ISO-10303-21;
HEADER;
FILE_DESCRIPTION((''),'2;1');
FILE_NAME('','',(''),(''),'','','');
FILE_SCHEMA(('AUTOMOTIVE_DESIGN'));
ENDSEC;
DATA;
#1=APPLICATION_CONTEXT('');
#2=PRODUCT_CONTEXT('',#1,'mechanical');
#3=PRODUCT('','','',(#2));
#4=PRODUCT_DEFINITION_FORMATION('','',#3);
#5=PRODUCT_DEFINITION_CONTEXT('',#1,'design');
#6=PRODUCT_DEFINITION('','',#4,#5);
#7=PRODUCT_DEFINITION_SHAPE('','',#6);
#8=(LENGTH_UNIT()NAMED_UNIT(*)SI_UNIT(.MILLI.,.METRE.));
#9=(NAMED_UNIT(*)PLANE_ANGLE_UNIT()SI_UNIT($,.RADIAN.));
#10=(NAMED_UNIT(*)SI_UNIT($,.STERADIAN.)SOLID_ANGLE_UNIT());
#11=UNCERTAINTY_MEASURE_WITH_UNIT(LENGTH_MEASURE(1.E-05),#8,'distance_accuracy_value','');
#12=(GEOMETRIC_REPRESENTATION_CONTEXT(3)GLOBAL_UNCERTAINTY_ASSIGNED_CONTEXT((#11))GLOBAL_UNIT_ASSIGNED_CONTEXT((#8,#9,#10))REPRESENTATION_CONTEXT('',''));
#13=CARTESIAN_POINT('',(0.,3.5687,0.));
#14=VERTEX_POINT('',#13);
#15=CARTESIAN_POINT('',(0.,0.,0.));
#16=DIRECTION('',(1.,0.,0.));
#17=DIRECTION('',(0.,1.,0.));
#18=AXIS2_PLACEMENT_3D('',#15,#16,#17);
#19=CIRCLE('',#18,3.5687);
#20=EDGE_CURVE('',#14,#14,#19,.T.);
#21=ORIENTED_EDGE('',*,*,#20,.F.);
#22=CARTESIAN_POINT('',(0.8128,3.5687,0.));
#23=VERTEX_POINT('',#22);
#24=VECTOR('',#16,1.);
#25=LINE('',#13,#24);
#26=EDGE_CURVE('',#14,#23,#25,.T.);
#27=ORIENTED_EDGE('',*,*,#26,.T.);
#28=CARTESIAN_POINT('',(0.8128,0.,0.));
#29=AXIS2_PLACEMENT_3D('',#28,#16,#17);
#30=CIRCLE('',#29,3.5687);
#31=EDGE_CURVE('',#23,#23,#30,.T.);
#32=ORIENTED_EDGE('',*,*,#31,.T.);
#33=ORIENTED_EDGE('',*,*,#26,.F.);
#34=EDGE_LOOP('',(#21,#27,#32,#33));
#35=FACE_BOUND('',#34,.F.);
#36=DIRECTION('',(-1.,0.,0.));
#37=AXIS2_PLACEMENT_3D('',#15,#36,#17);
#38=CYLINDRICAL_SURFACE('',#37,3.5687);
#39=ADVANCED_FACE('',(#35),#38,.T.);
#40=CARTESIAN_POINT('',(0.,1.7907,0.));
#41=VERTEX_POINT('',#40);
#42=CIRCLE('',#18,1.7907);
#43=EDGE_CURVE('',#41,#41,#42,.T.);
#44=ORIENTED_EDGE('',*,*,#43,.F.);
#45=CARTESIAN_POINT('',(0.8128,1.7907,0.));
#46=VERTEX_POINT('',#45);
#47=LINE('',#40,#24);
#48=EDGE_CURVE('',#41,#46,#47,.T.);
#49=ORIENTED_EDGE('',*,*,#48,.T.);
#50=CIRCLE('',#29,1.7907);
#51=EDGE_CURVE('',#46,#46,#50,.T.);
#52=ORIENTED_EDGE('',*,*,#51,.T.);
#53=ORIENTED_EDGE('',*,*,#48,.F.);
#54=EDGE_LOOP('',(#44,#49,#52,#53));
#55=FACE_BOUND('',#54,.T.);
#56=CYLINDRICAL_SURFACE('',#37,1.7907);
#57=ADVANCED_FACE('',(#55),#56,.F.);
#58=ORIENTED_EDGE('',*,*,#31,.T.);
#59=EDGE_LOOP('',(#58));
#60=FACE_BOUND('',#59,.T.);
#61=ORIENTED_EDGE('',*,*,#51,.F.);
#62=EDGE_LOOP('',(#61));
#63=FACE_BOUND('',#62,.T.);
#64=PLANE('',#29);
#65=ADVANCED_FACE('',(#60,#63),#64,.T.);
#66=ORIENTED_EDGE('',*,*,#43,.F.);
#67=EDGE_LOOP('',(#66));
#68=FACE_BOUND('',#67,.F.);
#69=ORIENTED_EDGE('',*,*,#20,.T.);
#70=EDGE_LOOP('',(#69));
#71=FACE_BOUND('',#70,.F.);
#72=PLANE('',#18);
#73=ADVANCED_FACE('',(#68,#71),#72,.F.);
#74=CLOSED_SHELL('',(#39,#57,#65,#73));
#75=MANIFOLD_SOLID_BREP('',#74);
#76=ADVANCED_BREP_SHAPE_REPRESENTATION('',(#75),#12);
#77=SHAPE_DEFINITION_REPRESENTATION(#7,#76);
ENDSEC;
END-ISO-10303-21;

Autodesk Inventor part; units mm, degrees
ref_plane "YZ Plane" through (0, 0, 0) normal (1, 0, 0) x (0, 1, 0)
ref_plane "XZ Plane" through (0, 0, 0) normal (0, 1, 0) x (-1, 0, 0)
sketch "Sketch" plane through (0, 0, 0) normal (1, 0, 0) x (0, 1, 0)
  circle A0 centre (0, 0) radius 3.5687
  circle A1 centre (0, 0) radius 1.7907
  dimension "d0" = 3.5814
  dimension "d1" = 7.1374
extrude "Body" add sketch "Sketch" along normal blind 0.8128
ref_plane "Work Plane1" through (0, 0, 0) normal (0, 0, 1) x (1, 0, 0)
equation "\"d0\" = SD1"
equation "\"d1\" = SD2"
equation "\"d2\" = SD"
equation "\"SD1\" = 3.5814"
equation "\"SD2\" = 7.1374"
equation "\"SD\" = 0.8128"
equation "\"NND\" = 3.175"
properties part number "ANSI B18.22.1 - No. 5 - narrow - Type B" material "Steel, Mild"
